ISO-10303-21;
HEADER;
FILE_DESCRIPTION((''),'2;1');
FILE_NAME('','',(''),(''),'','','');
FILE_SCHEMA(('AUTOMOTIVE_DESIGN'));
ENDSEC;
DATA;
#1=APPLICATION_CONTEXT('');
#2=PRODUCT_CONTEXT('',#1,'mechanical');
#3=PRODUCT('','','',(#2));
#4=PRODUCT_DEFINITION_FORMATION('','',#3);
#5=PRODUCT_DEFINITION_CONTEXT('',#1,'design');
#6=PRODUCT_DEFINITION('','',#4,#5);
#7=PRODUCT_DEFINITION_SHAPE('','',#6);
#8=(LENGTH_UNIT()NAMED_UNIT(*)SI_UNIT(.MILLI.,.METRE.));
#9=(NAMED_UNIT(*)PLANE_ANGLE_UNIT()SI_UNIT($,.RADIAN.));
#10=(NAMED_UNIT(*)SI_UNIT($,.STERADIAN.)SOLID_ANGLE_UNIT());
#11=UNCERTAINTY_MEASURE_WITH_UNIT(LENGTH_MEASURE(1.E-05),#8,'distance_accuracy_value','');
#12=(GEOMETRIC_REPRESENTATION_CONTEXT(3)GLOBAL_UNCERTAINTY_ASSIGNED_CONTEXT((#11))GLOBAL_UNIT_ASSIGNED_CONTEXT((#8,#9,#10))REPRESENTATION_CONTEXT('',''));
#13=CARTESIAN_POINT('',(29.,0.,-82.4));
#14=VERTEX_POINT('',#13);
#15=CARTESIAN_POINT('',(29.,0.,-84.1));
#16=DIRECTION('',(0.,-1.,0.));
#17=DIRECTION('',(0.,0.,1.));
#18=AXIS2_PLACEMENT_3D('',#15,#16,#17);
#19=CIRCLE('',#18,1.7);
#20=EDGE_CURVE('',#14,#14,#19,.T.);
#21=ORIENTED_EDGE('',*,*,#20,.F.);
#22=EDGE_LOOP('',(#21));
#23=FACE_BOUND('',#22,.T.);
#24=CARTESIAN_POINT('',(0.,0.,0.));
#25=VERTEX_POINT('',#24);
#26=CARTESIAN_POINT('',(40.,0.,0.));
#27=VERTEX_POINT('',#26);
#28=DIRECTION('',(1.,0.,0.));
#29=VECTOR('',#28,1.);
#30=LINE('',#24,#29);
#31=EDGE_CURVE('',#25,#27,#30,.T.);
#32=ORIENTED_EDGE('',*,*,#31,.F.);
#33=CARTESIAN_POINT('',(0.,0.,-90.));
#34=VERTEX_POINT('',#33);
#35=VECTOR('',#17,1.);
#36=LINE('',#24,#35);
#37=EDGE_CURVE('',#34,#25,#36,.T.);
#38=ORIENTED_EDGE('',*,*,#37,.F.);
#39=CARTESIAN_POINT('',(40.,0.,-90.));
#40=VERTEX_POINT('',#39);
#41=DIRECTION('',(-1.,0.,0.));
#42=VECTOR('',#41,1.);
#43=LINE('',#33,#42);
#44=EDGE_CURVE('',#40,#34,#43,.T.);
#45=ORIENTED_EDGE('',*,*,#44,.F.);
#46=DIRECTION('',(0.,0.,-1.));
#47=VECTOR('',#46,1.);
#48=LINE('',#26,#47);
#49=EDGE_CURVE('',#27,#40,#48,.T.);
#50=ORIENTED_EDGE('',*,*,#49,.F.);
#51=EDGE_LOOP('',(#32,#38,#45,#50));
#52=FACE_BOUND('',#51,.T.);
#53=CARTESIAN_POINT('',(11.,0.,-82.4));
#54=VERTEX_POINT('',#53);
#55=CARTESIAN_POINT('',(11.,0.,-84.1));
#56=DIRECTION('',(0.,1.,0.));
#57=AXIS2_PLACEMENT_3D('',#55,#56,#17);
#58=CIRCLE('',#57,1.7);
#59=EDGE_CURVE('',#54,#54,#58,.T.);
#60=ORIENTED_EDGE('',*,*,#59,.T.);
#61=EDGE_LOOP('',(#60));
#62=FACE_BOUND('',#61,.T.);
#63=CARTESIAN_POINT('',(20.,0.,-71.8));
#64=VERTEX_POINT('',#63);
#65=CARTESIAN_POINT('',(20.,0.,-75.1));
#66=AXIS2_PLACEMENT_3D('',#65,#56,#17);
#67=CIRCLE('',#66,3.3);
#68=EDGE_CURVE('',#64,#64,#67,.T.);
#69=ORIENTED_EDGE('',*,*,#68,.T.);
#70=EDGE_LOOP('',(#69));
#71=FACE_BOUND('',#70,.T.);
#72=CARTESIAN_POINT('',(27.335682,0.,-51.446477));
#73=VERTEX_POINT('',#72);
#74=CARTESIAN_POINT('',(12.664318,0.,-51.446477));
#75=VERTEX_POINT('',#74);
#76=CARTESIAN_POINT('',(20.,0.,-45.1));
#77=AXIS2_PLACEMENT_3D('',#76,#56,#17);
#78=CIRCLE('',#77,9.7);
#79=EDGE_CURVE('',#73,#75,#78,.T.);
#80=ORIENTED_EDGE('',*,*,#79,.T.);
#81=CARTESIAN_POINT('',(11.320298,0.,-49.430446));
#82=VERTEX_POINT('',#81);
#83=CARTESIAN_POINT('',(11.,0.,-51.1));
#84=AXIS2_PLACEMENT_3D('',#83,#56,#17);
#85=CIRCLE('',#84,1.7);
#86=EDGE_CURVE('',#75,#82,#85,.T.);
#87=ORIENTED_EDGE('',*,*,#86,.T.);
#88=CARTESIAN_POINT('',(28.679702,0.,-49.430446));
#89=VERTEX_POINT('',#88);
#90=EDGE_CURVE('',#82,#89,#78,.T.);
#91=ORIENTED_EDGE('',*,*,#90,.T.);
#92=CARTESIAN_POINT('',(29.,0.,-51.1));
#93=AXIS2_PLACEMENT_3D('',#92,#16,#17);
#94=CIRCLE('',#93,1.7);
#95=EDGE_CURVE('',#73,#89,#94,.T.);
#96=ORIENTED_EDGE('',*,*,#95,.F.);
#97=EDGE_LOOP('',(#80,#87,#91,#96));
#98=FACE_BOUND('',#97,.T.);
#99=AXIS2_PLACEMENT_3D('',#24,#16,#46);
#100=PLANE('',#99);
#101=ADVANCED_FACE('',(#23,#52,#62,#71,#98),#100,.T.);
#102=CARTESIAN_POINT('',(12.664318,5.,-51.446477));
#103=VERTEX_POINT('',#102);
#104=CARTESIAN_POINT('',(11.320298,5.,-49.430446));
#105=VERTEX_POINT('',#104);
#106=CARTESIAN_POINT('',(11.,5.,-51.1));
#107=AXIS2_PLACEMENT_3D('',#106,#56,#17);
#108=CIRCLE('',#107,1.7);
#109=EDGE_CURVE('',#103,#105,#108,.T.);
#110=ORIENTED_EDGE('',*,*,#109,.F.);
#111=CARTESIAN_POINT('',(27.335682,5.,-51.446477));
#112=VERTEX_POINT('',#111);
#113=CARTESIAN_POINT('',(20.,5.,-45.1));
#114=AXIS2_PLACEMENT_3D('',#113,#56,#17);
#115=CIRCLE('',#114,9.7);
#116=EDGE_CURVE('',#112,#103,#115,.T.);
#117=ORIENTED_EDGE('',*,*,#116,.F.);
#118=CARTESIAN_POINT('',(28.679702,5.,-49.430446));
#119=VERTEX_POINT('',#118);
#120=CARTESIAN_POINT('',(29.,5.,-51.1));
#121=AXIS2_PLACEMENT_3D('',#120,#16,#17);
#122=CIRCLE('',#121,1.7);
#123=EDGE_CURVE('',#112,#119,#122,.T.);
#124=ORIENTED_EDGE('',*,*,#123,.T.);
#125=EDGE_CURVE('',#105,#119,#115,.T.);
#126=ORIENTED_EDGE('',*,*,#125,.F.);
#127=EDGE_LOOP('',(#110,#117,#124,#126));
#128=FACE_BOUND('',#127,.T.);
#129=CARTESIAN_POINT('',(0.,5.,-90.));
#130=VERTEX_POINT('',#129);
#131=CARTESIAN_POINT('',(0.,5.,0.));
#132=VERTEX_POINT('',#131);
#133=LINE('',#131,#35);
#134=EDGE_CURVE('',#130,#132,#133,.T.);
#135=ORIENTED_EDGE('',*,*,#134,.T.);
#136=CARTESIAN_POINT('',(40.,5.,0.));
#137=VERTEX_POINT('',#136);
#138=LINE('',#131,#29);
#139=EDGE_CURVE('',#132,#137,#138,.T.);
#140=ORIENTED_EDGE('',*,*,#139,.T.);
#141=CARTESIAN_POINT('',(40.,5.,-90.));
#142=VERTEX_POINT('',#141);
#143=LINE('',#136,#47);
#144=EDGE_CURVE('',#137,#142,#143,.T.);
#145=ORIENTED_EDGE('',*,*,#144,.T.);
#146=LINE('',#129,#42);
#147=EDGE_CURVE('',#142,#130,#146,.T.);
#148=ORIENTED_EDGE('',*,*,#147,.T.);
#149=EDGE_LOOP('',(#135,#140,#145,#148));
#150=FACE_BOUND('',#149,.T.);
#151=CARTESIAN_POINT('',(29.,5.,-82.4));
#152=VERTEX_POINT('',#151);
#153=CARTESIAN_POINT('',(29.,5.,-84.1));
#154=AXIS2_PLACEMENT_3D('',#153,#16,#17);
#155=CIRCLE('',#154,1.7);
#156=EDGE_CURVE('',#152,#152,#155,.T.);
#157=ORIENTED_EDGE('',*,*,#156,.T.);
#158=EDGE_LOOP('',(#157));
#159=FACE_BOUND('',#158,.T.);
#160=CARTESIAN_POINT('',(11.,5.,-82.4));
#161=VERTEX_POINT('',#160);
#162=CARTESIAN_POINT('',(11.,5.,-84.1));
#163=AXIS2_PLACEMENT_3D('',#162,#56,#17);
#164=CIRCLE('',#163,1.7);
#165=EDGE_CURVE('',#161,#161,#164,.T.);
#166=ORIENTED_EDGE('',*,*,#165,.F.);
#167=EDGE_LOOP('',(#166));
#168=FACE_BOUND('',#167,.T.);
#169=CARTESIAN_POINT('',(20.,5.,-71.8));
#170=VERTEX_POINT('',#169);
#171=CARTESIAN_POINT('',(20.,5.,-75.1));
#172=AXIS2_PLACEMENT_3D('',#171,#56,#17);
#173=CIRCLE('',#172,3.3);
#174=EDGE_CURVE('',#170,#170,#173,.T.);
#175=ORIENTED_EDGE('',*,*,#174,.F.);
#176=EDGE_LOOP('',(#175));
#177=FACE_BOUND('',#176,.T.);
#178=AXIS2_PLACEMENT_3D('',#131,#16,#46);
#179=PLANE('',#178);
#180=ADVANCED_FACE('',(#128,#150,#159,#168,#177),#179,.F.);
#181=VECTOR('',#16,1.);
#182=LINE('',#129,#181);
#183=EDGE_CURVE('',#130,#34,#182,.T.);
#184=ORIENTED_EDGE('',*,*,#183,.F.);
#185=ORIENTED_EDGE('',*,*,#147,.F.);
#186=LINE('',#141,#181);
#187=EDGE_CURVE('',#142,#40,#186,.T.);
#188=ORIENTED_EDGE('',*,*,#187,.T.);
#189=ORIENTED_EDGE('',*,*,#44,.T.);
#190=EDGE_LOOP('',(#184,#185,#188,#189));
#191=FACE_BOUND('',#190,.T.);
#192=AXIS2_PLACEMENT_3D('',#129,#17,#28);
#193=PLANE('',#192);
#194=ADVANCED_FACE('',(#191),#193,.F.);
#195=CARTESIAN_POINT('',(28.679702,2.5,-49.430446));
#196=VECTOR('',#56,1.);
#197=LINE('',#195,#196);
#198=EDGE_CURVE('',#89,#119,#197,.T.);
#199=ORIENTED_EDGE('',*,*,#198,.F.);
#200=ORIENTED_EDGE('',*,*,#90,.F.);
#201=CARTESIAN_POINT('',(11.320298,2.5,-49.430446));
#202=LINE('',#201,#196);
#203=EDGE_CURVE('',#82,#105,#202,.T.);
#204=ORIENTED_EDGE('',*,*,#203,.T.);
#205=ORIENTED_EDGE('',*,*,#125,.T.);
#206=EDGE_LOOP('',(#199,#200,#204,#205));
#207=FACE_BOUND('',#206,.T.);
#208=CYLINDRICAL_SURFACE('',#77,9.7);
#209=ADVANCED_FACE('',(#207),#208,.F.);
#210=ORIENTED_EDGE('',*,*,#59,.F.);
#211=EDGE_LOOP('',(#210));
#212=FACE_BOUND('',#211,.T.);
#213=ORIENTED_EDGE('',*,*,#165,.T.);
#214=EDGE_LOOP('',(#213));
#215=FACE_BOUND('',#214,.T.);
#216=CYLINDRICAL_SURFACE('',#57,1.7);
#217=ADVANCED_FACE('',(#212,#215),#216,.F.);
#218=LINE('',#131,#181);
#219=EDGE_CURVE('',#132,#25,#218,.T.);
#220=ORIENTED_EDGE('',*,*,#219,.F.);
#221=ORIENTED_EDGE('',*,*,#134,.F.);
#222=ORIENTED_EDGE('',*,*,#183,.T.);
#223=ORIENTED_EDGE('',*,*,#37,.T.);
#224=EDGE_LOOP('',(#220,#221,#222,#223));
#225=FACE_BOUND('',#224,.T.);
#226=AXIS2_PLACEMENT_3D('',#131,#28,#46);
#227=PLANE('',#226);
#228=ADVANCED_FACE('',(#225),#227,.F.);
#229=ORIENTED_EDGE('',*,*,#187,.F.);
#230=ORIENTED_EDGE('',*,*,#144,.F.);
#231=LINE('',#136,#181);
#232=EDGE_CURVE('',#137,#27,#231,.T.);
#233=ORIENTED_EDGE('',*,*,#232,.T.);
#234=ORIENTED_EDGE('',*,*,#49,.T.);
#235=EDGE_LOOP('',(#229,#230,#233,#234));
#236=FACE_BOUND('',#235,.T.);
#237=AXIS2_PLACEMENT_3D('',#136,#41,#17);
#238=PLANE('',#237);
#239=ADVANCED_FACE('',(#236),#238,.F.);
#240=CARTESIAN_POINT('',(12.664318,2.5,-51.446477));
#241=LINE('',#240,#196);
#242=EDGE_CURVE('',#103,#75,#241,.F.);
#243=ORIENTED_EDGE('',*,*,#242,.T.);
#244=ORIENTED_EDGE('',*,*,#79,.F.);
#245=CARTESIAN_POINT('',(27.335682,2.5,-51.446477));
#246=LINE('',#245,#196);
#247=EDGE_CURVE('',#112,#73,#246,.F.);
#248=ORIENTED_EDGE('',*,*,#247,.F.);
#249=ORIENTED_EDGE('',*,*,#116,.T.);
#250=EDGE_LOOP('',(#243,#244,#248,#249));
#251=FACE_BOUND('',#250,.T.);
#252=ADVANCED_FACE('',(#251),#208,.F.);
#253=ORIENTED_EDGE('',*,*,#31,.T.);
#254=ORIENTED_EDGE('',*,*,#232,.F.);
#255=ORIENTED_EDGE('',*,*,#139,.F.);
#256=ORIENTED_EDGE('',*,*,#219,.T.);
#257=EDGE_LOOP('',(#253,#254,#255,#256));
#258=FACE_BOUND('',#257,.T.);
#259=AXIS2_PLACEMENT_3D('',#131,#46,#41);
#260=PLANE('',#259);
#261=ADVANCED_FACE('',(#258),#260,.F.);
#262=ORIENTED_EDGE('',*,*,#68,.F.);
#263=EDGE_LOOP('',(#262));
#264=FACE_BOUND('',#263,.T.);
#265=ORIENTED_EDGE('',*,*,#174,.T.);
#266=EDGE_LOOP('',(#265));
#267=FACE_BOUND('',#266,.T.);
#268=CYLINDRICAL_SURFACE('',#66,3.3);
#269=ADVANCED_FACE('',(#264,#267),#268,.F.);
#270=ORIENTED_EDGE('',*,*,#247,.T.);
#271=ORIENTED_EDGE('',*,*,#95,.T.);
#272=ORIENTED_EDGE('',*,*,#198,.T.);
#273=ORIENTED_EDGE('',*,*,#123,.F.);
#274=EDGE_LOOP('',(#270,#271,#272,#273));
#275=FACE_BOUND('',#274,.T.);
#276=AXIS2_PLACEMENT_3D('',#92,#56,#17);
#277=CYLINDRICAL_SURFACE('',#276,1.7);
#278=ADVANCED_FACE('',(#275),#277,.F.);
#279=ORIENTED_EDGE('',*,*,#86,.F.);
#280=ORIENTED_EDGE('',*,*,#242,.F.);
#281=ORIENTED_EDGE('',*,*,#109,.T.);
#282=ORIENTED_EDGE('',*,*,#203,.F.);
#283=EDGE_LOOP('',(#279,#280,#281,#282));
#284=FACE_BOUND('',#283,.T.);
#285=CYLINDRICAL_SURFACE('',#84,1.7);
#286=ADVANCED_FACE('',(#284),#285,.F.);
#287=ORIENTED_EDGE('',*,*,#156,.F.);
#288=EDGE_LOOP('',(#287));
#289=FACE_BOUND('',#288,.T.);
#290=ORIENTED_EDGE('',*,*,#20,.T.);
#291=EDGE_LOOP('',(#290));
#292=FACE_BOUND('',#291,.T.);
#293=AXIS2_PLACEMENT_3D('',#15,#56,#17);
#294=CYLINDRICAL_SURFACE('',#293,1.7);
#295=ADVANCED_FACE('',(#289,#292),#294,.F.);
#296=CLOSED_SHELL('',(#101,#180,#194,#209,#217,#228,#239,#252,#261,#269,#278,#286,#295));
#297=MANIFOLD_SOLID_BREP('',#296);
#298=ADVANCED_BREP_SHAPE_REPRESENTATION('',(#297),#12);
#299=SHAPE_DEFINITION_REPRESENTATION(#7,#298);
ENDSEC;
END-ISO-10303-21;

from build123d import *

# Parameters (mm, degrees)
SKETCH2_W           = 40
SKETCH2_H           = 90
BOSS_EXTRUDE1_DEPTH = 5
SKETCH3_R           = 3.3
SKETCH3_R_2         = 9.7
CUT_EXTRUDE1_DEPTH  = 99.615414617
SKETCH5_R           = 1.7
CUT_EXTRUDE2_DEPTH  = 99.615414617


with BuildPart() as part:
    # Sketch2 → Boss-Extrude1 (new body)
    with BuildSketch(Plane(origin=(0, 0, 0), x_dir=(1, 0, 0), z_dir=(0, 1, 0))):
        with Locations((20, 45)):
            Rectangle(SKETCH2_W, SKETCH2_H)
    extrude(amount=BOSS_EXTRUDE1_DEPTH)

    # Sketch3 → Cut-Extrude1 (cut, through all)
    with BuildSketch(Plane(origin=(0, 5, 0), x_dir=(1, 0, 0), z_dir=(0, 1, 0))):
        with Locations(Location((20, 75.1, 0), (0, 0, 270))):
            Circle(SKETCH3_R)
        with Locations(Location((20, 45.1, 0), (0, 0, 270))):
            Circle(SKETCH3_R_2)
    extrude(amount=-CUT_EXTRUDE1_DEPTH, mode=Mode.SUBTRACT)

    # Sketch5 → Cut-Extrude2 (cut, through all)
    with BuildSketch(Plane(origin=(0, 5, 0), x_dir=(1, 0, 0), z_dir=(0, 1, 0))):
        with Locations(Location((11, 84.1, 0), (0, 0, 270))):
            Circle(SKETCH5_R)
        with Locations((11, 51.1)):
            Circle(SKETCH5_R)
    cut_extrude2 = extrude(amount=-CUT_EXTRUDE2_DEPTH, mode=Mode.SUBTRACT)

    # Mirror1: Cut-Extrude2 across plane
    add(cut_extrude2.mirror(Plane(origin=(20, 0, 0), x_dir=(0, 0, 1), z_dir=(1, 0, 0))), mode=Mode.SUBTRACT)


solid = part.part
